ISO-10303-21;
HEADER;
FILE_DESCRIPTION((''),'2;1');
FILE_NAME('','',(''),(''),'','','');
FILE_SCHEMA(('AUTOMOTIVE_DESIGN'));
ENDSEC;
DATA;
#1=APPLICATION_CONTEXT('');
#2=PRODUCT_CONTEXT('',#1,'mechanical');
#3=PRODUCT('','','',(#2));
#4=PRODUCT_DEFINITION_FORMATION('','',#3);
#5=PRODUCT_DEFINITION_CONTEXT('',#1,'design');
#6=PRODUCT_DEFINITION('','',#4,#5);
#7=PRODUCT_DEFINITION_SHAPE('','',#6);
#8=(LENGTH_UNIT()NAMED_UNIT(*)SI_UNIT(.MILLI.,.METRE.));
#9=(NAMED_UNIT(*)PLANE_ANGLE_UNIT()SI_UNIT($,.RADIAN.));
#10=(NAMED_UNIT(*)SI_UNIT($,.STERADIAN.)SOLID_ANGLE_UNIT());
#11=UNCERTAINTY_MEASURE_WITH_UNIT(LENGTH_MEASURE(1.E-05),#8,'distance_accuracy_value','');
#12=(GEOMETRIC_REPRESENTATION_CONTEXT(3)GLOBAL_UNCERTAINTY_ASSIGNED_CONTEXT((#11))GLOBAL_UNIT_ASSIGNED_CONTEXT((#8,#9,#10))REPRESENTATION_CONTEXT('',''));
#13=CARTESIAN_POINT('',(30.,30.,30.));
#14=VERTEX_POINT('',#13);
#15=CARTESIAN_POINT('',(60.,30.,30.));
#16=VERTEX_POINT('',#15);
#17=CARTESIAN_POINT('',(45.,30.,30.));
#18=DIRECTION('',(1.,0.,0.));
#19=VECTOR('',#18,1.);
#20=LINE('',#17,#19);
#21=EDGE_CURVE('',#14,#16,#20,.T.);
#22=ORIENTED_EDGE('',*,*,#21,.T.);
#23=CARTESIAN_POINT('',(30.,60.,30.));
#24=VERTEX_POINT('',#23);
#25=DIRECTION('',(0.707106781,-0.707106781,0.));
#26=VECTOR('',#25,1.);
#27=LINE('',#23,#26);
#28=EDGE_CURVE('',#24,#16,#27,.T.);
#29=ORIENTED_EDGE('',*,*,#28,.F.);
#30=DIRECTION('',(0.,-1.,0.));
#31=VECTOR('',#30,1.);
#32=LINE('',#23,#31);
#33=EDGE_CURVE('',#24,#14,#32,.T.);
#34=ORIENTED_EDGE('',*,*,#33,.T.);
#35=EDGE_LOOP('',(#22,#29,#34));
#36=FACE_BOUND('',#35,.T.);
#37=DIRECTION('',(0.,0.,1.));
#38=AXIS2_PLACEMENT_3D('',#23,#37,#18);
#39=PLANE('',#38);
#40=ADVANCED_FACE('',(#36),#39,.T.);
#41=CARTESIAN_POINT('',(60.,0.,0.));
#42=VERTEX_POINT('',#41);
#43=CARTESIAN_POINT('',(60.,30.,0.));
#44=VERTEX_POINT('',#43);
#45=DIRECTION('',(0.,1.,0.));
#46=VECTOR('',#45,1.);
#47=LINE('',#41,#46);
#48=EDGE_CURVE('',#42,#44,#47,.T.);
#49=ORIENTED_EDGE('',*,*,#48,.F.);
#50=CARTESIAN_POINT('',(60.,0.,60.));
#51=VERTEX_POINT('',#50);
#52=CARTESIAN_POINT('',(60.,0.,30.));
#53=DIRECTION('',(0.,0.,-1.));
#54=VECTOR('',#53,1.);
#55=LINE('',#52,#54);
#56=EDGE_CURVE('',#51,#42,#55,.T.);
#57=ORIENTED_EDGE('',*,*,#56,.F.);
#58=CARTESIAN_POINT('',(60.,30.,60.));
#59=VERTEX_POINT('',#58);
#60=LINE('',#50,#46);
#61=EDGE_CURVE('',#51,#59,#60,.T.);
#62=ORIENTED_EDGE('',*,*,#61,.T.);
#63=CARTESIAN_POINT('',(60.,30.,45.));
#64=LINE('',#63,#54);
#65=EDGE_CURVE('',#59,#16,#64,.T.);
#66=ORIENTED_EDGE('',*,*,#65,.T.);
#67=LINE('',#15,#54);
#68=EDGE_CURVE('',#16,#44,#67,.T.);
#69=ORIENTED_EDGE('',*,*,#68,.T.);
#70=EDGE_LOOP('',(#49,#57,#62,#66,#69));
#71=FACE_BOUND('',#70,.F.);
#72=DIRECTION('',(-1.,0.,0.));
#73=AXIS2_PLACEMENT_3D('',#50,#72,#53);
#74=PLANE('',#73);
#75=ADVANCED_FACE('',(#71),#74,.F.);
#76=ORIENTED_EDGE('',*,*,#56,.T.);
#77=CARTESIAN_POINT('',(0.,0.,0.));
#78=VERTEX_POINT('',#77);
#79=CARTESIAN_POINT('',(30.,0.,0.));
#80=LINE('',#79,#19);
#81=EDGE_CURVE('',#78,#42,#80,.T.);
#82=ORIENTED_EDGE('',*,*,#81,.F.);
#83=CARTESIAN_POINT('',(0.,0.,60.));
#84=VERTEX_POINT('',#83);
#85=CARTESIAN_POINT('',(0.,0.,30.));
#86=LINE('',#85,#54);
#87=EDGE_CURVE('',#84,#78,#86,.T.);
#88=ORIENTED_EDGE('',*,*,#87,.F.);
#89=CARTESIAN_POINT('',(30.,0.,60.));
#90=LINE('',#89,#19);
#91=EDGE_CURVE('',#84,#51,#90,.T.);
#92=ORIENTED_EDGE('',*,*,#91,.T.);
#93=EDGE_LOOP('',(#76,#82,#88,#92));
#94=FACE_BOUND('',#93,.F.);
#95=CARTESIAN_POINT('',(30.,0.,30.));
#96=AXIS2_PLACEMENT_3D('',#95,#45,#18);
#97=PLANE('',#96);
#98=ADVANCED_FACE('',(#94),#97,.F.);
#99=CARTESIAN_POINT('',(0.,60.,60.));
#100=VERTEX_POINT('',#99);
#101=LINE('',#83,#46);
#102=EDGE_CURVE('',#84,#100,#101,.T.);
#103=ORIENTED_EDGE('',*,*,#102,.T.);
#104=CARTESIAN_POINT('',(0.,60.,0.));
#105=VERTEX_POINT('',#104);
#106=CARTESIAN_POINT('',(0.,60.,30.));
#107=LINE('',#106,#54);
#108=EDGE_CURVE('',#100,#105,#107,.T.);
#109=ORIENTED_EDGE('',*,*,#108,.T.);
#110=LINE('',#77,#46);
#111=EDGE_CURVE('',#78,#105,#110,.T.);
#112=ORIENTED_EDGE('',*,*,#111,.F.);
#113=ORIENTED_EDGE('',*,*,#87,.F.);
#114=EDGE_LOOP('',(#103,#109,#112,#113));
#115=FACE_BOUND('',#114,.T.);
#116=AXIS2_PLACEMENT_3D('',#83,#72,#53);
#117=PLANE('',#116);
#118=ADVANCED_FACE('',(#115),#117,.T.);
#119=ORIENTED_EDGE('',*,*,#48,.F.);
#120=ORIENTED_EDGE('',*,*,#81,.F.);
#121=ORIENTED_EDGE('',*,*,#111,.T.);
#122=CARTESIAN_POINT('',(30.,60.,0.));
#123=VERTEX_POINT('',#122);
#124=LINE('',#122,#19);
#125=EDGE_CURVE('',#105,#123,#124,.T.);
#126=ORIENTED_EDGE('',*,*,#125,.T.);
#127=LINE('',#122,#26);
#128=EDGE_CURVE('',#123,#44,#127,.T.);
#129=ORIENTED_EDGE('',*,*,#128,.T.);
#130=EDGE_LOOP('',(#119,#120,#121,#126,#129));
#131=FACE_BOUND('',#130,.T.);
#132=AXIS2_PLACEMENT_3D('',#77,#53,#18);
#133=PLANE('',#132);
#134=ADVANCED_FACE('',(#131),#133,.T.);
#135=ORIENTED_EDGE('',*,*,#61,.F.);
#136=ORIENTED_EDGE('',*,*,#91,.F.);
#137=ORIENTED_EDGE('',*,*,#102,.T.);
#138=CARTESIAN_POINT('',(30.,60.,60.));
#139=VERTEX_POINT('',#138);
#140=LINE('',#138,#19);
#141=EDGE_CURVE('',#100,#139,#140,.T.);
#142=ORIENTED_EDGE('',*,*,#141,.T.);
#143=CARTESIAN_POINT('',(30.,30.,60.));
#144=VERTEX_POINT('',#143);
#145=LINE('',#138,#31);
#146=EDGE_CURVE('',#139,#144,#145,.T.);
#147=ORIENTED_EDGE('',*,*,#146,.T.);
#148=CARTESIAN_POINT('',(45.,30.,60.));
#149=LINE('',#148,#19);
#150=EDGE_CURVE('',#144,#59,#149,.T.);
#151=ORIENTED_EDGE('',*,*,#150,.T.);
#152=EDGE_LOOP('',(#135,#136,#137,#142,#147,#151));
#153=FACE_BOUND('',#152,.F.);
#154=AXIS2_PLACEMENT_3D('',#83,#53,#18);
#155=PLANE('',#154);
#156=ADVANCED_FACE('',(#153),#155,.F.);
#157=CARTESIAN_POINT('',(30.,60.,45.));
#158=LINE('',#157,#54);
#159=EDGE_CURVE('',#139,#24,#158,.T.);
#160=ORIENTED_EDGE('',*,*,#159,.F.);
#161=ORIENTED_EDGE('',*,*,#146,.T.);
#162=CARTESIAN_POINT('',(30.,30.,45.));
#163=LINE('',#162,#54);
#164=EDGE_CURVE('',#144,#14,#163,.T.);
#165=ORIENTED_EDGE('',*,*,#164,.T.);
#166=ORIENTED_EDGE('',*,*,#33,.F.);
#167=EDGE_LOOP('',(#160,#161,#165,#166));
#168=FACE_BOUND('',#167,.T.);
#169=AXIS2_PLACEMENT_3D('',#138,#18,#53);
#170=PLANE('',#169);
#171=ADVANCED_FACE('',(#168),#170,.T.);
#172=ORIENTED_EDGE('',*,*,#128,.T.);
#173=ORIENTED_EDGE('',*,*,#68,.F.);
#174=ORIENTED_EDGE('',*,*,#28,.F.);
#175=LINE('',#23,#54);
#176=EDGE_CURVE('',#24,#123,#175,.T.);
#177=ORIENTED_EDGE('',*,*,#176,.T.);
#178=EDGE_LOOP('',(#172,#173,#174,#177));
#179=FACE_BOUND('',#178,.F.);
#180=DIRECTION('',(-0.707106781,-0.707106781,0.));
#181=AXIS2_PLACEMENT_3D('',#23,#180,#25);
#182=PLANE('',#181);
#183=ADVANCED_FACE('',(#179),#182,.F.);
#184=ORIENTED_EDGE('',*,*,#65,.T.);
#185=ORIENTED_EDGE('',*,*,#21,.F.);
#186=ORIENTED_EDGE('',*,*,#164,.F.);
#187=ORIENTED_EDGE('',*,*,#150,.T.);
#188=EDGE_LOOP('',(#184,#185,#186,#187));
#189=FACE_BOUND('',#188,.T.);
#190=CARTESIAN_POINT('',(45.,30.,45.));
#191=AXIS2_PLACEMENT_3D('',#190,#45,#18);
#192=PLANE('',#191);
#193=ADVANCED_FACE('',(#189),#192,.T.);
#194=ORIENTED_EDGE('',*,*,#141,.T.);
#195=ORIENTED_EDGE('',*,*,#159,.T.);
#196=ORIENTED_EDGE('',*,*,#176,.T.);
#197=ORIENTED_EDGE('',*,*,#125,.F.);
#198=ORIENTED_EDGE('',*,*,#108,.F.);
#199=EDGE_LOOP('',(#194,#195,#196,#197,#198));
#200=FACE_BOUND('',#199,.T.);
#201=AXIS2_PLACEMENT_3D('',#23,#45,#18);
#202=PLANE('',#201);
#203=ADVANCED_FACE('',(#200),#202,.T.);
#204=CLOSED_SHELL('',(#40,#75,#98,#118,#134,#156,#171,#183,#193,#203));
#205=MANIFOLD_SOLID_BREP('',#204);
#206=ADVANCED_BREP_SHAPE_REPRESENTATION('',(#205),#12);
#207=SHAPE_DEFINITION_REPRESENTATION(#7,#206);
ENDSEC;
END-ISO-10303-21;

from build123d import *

# Parameters (mm, degrees)
CROQUIS1_W              = 60
CROQUIS1_H              = 60
SALIENTE_EXTRUIR1_DEPTH = 60
CROQUIS2_W              = 30
CROQUIS2_H              = 30
CORTAR_EXTRUIR1_DEPTH   = 30
CORTAR_EXTRUIR2_DEPTH   = 30


with BuildPart() as part:
    # Croquis1 → Saliente-Extruir1 (new body)
    with BuildSketch(Plane(origin=(0, 0, 0), x_dir=(1, 0, 0), z_dir=(0, 1, 0))):
        with Locations((30, -30)):
            Rectangle(CROQUIS1_W, CROQUIS1_H)
    extrude(amount=SALIENTE_EXTRUIR1_DEPTH)

    # Croquis2 → Cortar-Extruir1 (cut)
    with BuildSketch(Plane(origin=(0, 60, 0), x_dir=(1, 0, 0), z_dir=(0, 1, 0))):
        with Locations((45, -45)):
            Rectangle(CROQUIS2_W, CROQUIS2_H)
    extrude(amount=-CORTAR_EXTRUIR1_DEPTH, mode=Mode.SUBTRACT)

    # Croquis3 → Cortar-Extruir2 (cut)
    with BuildSketch(Plane.XY.offset(30)):
        Polygon((30, 60), (60, 30), (60, 60), align=None)
    extrude(amount=-CORTAR_EXTRUIR2_DEPTH, mode=Mode.SUBTRACT)


solid = part.part
